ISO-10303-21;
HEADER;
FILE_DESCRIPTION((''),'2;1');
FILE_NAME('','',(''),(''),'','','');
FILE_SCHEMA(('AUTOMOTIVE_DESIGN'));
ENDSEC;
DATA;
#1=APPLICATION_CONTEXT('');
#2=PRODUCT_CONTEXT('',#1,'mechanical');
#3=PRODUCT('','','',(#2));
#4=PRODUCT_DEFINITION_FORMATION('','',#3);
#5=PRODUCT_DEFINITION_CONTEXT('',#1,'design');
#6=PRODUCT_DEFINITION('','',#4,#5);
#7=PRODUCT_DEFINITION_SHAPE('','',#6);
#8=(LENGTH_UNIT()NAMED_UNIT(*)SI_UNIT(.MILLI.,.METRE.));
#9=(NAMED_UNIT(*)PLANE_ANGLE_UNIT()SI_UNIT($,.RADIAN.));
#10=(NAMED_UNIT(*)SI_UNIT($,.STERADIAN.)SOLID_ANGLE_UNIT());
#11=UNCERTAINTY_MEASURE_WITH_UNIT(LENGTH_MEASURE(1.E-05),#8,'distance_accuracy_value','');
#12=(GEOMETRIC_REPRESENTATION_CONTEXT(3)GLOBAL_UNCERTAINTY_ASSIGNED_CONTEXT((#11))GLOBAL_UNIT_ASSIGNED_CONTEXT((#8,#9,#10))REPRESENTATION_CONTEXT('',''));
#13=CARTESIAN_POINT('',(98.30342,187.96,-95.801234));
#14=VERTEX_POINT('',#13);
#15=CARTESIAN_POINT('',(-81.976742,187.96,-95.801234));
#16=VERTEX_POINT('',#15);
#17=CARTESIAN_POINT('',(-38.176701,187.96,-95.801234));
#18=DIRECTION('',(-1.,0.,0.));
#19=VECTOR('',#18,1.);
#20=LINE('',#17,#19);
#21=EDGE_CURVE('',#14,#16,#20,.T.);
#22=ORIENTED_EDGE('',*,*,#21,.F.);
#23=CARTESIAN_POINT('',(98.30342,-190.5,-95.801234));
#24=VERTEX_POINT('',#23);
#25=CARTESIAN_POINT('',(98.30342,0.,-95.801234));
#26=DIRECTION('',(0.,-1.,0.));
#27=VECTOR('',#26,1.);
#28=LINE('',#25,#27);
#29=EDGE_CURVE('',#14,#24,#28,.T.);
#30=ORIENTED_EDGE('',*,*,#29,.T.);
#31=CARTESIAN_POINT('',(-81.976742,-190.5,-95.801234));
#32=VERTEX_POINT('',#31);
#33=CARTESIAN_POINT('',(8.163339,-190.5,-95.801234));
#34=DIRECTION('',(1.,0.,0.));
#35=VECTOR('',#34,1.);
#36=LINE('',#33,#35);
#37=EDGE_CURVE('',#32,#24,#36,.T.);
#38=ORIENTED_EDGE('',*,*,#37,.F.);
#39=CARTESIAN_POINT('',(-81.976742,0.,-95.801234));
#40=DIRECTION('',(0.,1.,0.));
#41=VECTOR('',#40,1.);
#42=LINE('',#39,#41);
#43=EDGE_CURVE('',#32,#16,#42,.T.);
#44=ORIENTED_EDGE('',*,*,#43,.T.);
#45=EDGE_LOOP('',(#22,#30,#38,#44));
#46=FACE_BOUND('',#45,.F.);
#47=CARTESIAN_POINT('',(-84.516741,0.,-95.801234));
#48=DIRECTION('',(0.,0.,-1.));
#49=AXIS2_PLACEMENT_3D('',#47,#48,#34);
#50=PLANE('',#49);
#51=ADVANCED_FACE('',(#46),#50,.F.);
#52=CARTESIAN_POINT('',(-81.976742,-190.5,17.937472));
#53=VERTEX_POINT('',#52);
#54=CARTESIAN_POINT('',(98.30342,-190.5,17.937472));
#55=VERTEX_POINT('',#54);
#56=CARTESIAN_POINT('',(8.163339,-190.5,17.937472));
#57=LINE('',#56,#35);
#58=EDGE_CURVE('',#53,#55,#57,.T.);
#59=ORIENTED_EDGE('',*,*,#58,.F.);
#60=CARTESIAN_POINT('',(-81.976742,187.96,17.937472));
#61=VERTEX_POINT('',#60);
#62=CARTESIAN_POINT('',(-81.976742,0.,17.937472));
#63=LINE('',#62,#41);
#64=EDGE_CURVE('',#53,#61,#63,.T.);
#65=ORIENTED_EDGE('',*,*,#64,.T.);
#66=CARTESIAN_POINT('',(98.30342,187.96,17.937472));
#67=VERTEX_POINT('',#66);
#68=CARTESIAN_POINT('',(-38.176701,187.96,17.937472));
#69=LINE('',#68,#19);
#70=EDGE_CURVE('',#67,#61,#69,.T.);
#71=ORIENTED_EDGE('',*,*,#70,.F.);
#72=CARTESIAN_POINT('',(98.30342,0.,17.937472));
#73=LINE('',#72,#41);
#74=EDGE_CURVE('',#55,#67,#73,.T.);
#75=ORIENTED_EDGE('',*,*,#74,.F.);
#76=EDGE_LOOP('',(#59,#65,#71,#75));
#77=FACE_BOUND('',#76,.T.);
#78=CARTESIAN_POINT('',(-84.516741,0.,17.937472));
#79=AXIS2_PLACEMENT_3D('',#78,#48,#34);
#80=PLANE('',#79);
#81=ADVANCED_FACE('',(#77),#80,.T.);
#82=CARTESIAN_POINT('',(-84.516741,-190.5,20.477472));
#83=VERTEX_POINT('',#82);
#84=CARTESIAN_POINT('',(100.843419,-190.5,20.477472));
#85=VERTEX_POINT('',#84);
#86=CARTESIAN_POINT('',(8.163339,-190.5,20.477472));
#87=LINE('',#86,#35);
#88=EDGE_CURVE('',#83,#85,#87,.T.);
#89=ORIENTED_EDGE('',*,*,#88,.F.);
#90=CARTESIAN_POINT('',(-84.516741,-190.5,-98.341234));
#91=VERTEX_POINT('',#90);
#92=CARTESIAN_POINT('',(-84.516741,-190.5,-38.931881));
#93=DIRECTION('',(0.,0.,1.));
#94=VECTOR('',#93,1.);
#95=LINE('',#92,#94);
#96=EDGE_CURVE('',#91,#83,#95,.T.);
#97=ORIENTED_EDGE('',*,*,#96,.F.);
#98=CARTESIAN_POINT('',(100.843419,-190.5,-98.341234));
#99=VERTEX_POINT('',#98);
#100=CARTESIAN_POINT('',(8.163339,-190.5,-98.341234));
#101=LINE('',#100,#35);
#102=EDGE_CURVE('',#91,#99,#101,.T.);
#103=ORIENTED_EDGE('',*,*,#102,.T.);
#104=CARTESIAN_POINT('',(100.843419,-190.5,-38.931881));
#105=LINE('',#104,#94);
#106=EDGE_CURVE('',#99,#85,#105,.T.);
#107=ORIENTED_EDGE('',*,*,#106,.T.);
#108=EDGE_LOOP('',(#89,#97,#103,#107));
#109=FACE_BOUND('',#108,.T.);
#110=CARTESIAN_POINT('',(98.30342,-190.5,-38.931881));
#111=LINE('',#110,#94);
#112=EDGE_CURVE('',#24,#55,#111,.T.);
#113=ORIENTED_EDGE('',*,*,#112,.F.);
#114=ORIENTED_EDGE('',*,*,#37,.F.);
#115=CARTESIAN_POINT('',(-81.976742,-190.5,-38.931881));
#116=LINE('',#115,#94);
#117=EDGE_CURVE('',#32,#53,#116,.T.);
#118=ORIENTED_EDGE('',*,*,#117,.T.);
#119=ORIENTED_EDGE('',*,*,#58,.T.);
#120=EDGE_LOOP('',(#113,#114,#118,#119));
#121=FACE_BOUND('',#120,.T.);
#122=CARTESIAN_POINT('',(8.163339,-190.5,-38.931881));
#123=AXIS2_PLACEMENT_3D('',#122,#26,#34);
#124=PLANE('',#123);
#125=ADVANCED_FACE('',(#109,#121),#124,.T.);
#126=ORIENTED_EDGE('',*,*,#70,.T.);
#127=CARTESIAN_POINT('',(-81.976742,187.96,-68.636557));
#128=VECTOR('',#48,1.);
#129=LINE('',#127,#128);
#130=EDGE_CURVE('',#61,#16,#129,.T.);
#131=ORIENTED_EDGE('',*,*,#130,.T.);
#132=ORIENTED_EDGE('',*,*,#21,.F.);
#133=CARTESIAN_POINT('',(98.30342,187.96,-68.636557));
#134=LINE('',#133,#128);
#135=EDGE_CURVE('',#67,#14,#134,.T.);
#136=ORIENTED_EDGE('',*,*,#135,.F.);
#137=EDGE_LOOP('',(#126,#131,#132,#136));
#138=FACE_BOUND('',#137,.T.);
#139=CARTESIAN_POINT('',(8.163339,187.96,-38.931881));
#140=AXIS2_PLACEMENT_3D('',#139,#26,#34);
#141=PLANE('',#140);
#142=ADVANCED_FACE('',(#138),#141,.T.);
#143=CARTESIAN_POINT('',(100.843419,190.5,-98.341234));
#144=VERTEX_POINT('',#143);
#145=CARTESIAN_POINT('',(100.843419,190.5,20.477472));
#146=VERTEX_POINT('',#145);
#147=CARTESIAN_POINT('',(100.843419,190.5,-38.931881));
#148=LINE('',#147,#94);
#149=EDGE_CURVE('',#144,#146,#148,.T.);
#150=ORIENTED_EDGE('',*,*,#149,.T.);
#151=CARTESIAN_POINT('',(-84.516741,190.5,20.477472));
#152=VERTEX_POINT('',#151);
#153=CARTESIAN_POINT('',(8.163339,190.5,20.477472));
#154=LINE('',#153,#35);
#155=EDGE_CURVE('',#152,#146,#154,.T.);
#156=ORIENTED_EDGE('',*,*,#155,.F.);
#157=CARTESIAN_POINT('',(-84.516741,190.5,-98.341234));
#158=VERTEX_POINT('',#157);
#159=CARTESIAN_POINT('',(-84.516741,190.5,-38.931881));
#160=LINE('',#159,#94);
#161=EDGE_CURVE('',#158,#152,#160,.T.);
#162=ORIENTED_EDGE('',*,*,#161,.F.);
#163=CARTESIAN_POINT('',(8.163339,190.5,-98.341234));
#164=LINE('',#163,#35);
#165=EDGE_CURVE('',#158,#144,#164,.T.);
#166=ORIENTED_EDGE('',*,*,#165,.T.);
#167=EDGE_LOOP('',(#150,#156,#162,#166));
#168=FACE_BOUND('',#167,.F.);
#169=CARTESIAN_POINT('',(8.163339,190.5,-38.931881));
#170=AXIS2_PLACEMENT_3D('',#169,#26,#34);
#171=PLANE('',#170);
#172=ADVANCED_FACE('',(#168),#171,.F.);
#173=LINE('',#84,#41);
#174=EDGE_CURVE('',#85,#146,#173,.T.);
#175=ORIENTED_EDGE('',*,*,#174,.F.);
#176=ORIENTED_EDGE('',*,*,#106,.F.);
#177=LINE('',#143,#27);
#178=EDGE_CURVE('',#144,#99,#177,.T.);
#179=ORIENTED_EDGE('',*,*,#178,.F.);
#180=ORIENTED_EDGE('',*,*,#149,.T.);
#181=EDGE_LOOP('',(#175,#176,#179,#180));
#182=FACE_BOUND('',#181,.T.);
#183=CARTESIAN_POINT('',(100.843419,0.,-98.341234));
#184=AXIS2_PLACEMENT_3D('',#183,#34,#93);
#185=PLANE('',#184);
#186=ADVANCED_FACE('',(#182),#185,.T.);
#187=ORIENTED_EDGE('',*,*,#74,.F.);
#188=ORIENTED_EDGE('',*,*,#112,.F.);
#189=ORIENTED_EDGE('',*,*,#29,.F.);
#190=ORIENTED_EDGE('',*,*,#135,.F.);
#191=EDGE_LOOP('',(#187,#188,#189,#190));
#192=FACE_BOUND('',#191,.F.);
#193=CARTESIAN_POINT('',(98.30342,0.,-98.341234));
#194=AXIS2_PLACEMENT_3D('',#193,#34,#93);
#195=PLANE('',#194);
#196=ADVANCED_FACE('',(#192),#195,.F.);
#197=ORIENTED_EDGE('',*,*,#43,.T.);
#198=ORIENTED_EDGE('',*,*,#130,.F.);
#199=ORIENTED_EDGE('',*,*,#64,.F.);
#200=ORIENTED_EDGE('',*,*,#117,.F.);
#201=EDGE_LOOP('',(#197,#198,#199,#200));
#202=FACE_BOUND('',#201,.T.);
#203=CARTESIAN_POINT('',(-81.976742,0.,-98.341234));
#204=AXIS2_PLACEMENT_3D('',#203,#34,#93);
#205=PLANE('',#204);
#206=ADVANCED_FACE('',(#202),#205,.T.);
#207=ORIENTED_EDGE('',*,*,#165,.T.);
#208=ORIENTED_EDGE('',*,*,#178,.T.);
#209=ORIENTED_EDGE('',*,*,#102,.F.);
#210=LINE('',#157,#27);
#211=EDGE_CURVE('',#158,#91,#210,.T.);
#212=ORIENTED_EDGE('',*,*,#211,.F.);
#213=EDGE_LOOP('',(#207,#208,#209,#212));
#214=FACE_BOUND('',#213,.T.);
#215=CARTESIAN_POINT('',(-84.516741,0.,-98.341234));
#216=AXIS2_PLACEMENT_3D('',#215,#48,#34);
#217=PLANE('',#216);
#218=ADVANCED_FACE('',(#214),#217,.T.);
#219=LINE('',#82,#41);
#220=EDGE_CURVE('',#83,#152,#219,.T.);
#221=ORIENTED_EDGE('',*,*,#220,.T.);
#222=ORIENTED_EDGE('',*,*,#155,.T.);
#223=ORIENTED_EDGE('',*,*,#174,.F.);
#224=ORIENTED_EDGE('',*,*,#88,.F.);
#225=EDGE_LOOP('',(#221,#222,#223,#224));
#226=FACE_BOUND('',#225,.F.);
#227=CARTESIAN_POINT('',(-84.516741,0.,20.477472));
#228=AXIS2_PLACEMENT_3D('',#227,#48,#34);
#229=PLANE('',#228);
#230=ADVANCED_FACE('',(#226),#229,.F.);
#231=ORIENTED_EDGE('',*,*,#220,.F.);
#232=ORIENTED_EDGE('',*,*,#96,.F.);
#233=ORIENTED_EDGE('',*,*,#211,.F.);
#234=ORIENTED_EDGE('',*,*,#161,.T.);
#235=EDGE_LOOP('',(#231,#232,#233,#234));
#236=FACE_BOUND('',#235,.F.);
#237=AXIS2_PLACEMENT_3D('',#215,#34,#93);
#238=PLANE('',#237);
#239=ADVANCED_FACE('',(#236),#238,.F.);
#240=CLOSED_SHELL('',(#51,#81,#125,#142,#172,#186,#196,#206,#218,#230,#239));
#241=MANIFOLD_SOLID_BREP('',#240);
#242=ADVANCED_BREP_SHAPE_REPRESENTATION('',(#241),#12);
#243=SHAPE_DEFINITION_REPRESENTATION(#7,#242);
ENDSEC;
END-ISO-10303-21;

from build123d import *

# Parameters (mm, degrees)
F0_W     = 185.360161
F0_H     = 118.818706
F1_DEPTH = 190.5
F2_T     = -2.54


with BuildPart() as f1:
    # F0 (on Front) → F1 (new body, symmetric)
    with BuildSketch(Plane.XZ):
        with Locations((8.163339, -38.931881)):
            Rectangle(F0_W, F0_H)
    extrude(amount=F1_DEPTH, both=True)

    # F2
    f2_openings = [f1.faces().sort_by_distance(p)[0] for p in [
        (8.163339, -190.5, -38.931881),
    ]]
    offset(amount=F2_T, openings=f2_openings)


solid = f1.part
